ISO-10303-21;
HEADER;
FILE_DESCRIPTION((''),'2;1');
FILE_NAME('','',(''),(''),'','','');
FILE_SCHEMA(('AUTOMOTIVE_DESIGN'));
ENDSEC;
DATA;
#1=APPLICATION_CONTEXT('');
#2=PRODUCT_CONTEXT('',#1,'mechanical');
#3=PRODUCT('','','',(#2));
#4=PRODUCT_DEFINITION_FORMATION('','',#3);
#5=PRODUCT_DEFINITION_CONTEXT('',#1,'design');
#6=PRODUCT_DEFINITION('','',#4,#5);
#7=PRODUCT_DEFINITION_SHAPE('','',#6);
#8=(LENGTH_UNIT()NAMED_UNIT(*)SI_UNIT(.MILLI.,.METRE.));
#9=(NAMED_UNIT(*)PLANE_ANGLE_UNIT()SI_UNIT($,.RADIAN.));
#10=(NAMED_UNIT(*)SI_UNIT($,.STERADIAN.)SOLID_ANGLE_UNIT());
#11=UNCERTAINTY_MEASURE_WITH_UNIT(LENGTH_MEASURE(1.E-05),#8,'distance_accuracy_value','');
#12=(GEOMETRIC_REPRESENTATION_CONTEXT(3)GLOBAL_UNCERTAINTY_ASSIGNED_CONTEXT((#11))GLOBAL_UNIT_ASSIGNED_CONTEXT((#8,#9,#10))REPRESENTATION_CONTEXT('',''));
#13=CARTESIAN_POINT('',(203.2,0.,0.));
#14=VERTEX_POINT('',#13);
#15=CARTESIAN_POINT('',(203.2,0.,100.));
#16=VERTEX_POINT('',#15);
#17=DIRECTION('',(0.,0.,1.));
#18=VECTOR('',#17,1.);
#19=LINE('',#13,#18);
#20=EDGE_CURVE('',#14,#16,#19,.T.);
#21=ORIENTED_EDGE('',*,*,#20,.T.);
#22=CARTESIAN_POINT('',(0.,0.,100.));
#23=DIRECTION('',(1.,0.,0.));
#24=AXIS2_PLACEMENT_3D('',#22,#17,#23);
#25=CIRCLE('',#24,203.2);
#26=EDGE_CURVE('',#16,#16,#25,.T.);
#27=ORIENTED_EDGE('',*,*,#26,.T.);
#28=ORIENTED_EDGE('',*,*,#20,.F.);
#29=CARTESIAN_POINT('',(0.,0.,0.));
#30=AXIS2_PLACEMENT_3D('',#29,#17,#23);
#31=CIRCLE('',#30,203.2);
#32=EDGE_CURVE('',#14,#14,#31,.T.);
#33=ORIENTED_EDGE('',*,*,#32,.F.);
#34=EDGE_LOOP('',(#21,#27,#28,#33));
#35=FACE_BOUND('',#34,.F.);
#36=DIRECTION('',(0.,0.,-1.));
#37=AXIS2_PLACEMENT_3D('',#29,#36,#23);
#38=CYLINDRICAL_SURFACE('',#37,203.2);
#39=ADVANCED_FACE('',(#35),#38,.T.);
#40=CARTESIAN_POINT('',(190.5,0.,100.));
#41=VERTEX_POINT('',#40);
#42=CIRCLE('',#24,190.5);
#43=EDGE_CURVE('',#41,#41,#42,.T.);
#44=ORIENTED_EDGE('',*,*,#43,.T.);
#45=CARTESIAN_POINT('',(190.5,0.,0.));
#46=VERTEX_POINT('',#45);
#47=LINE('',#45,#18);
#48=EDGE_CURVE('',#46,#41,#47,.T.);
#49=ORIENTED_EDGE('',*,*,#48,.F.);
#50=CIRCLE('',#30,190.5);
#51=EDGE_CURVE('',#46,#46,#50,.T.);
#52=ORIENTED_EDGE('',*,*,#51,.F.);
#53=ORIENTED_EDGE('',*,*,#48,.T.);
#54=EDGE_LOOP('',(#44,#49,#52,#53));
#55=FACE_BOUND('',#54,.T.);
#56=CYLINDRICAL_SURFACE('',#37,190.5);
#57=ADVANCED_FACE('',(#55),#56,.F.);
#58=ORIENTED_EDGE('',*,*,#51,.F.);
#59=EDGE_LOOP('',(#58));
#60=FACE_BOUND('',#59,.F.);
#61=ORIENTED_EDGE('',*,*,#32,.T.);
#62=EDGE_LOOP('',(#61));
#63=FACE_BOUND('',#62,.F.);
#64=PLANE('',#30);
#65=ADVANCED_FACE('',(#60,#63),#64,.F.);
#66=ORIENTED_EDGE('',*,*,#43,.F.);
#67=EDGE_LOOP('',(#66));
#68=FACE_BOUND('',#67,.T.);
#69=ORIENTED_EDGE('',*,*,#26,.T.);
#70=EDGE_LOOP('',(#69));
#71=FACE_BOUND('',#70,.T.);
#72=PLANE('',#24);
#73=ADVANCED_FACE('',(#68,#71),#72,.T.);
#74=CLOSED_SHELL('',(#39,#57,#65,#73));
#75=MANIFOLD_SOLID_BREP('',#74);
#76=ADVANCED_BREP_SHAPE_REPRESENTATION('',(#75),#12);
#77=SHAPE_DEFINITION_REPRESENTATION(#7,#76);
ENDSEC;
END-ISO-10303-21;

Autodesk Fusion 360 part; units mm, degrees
sketch "スケッチ1" plane through (0, 0, 0) normal (0, 0, 1) x (1, 0, 0)
  circle A0 centre (0, 0) radius 203.2
  circle A1 centre (0, 0) radius 190.5
  dimension "d1" = 406.4
  dimension "d2" = -12.7
extrude "押し出し1" add sketch "スケッチ1" along normal blind 100
